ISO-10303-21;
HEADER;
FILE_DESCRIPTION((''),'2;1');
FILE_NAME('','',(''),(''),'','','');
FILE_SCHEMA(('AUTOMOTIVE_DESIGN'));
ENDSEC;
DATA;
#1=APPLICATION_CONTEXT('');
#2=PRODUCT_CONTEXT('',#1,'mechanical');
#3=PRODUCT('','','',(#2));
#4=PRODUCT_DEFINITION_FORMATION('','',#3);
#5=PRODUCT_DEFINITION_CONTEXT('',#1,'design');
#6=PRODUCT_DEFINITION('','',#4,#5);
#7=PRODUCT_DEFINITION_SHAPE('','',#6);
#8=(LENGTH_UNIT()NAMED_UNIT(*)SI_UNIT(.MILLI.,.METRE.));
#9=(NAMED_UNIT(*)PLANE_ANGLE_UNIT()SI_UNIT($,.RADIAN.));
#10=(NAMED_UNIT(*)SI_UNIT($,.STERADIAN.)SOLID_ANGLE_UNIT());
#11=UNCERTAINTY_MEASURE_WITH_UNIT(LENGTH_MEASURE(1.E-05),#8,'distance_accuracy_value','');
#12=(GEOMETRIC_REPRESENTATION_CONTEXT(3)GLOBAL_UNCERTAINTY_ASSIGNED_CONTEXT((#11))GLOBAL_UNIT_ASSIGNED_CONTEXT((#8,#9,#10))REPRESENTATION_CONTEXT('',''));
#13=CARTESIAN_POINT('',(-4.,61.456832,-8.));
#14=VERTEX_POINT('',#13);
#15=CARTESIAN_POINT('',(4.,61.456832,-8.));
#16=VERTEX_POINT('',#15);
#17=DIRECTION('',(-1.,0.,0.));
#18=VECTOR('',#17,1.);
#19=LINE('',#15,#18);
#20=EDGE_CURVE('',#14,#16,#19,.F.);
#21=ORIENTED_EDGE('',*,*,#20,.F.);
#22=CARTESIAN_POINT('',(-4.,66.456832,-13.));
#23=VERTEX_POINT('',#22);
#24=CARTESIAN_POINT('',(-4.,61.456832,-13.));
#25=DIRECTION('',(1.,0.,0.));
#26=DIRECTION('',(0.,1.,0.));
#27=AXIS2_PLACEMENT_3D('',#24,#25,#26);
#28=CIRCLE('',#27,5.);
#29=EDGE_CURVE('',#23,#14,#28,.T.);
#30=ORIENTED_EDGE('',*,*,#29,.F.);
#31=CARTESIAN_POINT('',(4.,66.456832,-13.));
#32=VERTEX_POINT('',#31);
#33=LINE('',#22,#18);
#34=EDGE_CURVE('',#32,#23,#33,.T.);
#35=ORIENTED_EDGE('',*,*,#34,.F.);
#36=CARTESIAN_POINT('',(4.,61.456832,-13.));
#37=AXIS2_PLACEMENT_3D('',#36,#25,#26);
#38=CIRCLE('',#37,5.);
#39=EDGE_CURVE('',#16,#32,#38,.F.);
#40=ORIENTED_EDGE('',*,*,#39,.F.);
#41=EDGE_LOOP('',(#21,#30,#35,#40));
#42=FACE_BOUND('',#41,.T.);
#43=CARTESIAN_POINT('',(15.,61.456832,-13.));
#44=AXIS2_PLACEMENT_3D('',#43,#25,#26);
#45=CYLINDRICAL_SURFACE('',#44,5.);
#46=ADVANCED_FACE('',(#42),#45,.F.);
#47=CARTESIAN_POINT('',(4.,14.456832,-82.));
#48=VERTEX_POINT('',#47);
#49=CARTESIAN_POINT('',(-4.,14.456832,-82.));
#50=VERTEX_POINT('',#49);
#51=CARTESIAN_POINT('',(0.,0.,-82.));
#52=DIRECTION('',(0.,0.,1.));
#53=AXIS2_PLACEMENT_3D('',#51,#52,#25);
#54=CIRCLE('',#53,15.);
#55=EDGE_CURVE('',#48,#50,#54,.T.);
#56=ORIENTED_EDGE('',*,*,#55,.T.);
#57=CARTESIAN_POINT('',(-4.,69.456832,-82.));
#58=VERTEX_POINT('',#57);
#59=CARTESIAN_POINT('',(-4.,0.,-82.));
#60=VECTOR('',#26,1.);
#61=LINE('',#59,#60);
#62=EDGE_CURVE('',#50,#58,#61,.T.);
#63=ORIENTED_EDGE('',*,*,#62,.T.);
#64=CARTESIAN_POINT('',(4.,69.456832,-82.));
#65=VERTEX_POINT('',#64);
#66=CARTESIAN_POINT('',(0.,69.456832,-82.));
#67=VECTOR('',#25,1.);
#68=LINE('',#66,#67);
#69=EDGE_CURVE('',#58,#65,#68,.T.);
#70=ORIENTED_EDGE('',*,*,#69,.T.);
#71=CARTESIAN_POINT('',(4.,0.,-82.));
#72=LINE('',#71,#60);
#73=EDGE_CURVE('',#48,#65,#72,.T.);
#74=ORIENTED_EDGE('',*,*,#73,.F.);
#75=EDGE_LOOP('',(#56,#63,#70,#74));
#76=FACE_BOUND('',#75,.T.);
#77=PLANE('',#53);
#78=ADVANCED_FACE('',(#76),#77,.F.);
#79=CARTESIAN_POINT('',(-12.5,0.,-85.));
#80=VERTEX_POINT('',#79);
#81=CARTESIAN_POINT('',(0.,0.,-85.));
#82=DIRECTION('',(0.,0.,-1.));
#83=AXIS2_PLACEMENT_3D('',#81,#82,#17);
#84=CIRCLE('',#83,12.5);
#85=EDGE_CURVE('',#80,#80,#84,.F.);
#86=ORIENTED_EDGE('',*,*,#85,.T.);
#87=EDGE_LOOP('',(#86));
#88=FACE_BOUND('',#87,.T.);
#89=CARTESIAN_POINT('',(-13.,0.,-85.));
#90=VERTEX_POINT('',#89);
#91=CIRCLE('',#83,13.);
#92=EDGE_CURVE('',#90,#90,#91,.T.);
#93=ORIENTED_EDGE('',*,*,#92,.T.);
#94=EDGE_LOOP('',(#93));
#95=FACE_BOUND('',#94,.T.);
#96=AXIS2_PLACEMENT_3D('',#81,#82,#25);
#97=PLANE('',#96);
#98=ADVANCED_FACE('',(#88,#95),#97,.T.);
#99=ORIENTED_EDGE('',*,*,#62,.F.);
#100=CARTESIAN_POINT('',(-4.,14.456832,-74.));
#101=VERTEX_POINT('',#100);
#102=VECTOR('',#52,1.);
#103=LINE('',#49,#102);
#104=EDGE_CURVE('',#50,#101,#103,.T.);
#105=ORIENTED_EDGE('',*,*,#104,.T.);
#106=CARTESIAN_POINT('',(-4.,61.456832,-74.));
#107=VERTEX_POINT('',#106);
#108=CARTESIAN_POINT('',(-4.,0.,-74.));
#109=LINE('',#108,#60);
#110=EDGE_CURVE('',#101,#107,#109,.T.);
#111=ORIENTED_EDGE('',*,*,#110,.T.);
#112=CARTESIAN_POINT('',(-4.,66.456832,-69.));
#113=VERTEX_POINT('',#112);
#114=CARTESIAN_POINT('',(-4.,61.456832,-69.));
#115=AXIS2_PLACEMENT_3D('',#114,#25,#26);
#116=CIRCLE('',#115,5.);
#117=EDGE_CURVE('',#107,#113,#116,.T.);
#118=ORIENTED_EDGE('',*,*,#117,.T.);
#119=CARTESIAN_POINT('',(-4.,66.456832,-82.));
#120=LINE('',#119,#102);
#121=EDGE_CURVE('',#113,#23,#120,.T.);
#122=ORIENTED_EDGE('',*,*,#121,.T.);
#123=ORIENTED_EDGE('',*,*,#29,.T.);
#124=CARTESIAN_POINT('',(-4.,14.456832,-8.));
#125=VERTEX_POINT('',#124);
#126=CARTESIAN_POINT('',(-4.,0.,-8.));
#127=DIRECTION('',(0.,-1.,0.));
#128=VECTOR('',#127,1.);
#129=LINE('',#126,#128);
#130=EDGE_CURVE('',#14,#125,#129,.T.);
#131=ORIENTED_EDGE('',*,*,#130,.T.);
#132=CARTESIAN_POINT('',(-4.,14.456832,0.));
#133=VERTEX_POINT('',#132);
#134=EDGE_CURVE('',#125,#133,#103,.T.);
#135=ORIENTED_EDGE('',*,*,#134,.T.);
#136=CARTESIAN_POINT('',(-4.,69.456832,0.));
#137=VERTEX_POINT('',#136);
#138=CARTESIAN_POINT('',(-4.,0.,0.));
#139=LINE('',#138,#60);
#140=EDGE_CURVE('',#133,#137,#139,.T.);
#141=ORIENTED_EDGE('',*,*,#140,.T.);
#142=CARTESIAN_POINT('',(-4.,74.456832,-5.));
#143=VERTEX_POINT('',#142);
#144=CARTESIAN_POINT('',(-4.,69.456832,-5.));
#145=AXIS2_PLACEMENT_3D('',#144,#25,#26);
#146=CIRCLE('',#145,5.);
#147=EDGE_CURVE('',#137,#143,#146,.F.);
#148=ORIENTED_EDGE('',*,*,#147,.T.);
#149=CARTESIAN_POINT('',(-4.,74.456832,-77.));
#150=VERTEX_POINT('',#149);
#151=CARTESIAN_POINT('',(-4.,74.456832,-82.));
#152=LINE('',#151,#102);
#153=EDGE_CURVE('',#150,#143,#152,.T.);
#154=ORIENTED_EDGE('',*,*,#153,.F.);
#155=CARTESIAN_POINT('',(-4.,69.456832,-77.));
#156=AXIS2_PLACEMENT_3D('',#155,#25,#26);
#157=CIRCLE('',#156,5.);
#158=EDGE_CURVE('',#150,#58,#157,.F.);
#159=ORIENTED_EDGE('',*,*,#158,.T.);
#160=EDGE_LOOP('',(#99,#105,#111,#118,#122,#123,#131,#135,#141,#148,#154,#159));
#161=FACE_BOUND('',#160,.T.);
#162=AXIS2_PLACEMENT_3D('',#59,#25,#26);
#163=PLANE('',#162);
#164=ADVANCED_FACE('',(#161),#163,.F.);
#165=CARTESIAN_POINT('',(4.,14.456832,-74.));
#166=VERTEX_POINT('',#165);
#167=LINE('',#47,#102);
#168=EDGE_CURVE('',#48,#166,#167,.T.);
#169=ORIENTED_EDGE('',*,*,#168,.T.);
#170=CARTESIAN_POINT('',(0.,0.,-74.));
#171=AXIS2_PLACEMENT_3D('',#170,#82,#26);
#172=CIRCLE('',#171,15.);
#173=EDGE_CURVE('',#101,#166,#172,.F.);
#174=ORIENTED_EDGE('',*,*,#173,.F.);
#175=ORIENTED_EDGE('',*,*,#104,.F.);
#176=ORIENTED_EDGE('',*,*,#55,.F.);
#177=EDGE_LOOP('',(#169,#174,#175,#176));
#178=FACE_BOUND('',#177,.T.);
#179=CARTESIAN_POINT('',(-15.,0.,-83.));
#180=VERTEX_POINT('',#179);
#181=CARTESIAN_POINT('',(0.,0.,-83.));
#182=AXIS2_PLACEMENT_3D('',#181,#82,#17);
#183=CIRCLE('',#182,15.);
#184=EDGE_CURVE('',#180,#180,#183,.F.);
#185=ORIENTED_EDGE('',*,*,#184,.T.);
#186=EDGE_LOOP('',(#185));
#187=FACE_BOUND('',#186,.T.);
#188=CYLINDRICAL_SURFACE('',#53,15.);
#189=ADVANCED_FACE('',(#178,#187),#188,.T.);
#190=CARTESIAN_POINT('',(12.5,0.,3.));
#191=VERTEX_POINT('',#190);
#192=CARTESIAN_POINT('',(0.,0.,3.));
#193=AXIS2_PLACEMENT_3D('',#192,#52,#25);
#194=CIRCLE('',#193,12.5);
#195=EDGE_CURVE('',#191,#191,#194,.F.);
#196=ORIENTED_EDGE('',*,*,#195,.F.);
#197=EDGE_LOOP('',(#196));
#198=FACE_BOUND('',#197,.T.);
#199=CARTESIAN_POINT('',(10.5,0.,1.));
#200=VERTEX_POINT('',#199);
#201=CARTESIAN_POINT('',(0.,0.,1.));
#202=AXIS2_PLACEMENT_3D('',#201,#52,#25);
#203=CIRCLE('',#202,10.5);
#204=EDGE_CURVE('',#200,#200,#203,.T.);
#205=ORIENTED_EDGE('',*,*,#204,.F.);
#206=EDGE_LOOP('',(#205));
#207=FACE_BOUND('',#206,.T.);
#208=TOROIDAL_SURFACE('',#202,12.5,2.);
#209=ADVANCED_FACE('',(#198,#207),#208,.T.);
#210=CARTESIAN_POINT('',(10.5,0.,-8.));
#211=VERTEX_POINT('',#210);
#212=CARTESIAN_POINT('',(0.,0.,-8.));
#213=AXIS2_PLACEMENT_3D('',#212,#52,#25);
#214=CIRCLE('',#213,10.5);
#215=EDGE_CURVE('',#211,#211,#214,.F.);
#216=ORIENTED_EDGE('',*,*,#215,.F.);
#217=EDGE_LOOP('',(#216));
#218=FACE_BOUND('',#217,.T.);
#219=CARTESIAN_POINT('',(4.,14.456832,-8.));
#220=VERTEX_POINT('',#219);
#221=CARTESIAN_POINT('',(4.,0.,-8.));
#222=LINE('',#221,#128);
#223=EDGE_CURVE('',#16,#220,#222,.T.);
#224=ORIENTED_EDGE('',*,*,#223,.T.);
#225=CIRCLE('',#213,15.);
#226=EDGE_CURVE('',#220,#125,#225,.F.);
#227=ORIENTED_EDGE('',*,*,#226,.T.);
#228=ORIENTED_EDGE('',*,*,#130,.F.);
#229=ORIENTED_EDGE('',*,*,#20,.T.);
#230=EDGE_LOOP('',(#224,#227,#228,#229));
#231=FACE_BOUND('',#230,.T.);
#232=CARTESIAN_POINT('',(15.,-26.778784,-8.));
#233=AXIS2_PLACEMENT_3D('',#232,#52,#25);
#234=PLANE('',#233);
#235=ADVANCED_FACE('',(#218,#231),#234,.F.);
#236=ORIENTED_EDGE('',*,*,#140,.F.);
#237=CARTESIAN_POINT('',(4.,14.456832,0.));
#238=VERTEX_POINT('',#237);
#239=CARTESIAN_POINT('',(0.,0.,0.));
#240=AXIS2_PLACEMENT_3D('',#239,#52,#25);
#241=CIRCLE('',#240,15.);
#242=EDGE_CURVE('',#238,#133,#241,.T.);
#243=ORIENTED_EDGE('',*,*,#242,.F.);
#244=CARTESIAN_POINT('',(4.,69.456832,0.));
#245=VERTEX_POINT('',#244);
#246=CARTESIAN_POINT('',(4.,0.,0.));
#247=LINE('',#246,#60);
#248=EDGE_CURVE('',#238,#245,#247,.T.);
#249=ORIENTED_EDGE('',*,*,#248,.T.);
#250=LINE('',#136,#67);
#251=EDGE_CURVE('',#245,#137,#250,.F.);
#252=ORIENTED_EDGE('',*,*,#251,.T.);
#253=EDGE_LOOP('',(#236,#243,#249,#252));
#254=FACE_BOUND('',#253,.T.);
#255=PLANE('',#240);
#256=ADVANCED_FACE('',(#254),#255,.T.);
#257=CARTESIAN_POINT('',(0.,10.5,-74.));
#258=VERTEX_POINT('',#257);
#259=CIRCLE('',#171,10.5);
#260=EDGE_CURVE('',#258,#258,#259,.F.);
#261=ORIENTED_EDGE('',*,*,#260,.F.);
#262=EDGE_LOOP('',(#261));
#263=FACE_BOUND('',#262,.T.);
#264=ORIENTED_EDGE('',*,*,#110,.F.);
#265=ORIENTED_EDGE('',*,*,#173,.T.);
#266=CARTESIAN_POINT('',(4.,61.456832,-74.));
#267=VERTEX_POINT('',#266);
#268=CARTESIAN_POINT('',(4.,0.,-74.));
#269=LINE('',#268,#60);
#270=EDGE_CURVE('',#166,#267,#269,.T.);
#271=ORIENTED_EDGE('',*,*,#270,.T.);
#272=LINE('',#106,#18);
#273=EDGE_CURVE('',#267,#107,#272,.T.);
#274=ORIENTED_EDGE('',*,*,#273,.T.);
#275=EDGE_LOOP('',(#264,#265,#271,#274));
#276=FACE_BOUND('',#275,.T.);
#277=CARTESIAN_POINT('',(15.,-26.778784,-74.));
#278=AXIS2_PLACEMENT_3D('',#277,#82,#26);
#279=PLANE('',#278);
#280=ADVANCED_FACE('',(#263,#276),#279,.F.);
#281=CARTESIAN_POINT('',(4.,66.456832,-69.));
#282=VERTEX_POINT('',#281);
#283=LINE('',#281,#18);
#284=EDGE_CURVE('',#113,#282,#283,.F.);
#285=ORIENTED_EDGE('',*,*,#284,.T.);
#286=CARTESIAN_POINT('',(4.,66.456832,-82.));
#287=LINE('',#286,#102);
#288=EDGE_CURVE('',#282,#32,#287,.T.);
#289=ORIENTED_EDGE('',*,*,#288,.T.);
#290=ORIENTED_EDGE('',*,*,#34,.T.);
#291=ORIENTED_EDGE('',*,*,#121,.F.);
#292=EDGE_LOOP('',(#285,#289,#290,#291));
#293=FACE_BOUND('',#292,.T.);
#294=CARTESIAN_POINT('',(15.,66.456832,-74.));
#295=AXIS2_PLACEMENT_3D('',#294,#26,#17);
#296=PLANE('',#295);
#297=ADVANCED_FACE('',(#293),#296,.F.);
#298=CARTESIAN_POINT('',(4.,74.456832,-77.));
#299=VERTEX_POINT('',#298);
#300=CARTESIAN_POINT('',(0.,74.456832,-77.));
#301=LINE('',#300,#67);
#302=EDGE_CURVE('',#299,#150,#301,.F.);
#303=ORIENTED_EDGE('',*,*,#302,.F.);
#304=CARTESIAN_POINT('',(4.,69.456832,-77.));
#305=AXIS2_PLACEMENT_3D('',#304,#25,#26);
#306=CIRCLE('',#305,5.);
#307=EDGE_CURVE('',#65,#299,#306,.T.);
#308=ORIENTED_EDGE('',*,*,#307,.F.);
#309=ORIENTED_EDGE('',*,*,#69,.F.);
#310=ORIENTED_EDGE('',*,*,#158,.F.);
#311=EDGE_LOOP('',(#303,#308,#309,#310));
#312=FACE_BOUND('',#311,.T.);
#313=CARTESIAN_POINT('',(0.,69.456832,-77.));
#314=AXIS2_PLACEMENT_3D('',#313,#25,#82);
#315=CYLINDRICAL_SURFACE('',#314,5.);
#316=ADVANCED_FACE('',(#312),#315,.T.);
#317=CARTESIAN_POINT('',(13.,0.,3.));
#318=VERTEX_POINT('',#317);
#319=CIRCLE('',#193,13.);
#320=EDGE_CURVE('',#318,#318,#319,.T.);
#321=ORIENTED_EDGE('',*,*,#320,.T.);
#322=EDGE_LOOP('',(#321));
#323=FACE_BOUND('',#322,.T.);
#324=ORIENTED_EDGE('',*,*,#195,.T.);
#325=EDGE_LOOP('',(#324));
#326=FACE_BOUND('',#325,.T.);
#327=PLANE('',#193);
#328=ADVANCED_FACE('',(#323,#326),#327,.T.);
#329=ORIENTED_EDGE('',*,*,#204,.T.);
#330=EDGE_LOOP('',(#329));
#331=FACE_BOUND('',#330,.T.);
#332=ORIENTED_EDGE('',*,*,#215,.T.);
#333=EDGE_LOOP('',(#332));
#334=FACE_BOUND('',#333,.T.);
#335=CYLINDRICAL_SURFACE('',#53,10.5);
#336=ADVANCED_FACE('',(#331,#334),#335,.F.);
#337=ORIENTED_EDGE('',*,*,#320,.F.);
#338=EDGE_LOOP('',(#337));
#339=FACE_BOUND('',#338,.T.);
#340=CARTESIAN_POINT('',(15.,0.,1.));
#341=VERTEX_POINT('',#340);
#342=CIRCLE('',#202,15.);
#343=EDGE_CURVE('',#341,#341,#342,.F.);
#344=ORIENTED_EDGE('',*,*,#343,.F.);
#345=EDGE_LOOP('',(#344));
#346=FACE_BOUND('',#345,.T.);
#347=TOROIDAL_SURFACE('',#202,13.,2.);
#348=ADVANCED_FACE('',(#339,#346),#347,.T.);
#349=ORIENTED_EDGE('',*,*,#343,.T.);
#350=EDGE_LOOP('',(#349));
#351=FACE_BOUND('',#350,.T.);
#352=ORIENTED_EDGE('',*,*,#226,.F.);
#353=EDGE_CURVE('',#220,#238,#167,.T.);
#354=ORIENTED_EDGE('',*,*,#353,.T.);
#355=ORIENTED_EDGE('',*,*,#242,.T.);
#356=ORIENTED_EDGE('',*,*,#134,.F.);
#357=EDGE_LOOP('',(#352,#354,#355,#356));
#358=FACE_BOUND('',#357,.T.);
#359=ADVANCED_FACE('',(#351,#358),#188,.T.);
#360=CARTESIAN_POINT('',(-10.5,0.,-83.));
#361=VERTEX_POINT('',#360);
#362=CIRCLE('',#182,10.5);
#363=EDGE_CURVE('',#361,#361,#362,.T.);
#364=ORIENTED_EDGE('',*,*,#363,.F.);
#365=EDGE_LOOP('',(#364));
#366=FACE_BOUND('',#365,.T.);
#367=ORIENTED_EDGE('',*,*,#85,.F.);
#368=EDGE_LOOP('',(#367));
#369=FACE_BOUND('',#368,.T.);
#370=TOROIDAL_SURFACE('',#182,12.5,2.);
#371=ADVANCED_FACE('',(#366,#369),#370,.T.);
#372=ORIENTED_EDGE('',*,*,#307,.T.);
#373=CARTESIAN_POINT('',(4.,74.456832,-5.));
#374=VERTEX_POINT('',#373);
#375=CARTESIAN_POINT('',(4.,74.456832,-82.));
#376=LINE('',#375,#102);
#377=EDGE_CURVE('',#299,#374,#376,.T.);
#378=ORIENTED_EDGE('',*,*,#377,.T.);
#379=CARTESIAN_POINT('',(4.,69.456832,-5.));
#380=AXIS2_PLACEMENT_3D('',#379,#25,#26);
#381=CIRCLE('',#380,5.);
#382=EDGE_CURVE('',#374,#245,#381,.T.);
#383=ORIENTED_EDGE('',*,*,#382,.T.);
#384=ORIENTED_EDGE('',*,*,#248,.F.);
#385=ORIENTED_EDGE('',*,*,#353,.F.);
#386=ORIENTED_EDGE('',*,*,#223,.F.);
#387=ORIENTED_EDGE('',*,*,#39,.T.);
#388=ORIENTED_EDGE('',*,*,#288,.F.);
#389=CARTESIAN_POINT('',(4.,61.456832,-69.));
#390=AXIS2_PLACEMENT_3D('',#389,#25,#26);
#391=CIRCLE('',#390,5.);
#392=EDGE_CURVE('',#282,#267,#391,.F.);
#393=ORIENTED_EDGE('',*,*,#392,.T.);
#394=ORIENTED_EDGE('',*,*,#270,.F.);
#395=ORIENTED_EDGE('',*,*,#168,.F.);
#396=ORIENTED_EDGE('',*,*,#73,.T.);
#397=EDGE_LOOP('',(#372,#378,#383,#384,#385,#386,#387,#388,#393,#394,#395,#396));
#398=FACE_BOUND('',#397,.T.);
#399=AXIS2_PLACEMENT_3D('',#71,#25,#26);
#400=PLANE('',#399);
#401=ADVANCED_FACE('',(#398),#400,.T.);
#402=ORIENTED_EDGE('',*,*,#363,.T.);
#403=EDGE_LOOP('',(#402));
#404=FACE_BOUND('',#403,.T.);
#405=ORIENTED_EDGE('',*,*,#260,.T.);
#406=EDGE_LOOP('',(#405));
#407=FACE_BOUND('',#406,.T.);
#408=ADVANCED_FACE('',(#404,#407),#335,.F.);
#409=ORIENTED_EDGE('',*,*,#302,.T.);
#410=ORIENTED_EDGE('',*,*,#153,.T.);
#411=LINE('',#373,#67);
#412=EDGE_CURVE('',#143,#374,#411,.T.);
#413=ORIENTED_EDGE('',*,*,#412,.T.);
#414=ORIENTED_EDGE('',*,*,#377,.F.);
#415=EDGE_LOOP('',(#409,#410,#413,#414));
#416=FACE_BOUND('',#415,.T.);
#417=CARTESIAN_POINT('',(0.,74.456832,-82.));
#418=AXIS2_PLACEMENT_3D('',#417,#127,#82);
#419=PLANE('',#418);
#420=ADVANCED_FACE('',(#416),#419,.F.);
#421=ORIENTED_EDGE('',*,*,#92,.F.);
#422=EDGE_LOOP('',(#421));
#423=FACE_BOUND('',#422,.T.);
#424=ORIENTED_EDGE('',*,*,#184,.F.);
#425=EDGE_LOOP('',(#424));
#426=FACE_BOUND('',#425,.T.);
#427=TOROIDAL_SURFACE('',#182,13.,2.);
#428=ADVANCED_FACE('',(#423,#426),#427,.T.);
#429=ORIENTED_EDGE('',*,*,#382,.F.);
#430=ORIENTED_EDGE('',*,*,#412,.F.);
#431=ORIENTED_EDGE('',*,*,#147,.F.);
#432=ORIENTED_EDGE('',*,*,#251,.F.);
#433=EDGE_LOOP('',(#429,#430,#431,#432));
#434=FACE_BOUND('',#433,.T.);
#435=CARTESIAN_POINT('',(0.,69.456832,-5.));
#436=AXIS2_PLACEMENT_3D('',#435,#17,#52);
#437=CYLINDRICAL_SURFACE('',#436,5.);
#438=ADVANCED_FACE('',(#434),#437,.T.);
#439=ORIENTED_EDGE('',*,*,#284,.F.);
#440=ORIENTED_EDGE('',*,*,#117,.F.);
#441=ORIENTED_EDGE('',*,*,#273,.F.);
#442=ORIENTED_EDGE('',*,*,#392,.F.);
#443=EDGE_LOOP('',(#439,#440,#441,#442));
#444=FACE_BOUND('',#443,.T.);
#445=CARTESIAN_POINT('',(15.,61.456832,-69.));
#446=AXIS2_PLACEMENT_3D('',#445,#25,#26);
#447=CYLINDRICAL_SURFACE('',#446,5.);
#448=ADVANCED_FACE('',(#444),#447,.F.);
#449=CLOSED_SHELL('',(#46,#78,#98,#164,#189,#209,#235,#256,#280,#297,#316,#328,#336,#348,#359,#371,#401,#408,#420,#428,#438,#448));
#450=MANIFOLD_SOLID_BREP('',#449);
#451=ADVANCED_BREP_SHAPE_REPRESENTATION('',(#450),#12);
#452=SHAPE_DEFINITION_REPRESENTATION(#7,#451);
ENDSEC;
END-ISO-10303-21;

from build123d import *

# Parameters (mm, degrees)
SKETCH1_R               = 10.5
BOSS_EXTRUDE1_DEPTH     = 82
BOSS_EXTRUDE2_START     = 3
SKETCH1_3_R             = 10.5
BOSS_EXTRUDE2_DEPTH     = 3
CUT_EXTRUDE1_DEPTH      = 115.585426104
CUT_EXTRUDE1_DEPTH_BACK = 115.585426104
SKETCH2_W               = 66
SKETCH2_H               = 93.23561667
FILLET1_R               = 5
FILLET2_R               = 2


with BuildPart() as part:
    # Sketch1 → Boss-Extrude1 (new body)
    # profile 1 of 3: a face of its own
    with BuildSketch(Plane.XY):
        with BuildLine():
            Line((4, 14.456832295), (-4, 14.456832295))
            ThreePointArc((-4, 14.456832295), (-9.082951062, -11.937336386), (15, 0))
            ThreePointArc((15, 0), (11.937336386, 9.082951062), (4, 14.456832295))
        make_face()
        Circle(SKETCH1_R, mode=Mode.SUBTRACT)
    # profile 2 of 3: a face of its own
    with BuildSketch(Plane.XY):
        with BuildLine():
            Line((-4, 74.456832295), (-4, 14.456832295))
            ThreePointArc((-4, 14.456832295), (0, 15), (4, 14.456832295))
            Line((4, 14.456832295), (4, 74.456832295))
            Line((4, 74.456832295), (-4, 74.456832295))
        make_face()
    # profile 3 of 3: a face of its own
    with BuildSketch(Plane.XY):
        with BuildLine():
            ThreePointArc((4, 14.456832295), (0, 15), (-4, 14.456832295))
            Line((-4, 14.456832295), (4, 14.456832295))
        make_face()
    extrude(amount=-BOSS_EXTRUDE1_DEPTH)

    # Sketch1<3> → Boss-Extrude2 (add)
    # profile 1 of 2: a face of its own
    with BuildSketch(Plane.XY.offset(BOSS_EXTRUDE2_START)):
        with BuildLine():
            Line((4, 14.456832295), (-4, 14.456832295))
            ThreePointArc((-4, 14.456832295), (-9.082951062, -11.937336386), (15, 0))
            ThreePointArc((15, 0), (11.937336386, 9.082951062), (4, 14.456832295))
        make_face()
        Circle(SKETCH1_3_R, mode=Mode.SUBTRACT)
    # profile 2 of 2: a face of its own
    with BuildSketch(Plane.XY.offset(BOSS_EXTRUDE2_START)):
        with BuildLine():
            ThreePointArc((4, 14.456832295), (0, 15), (-4, 14.456832295))
            Line((-4, 14.456832295), (4, 14.456832295))
        make_face()
    boss_extrude2 = extrude(amount=-BOSS_EXTRUDE2_DEPTH)

    # Mirror1: Boss-Extrude2 across plane
    add(boss_extrude2.mirror(Plane.XY.offset(-41)))

    # Sketch2 → Cut-Extrude1 (cut, two sides: drawn at the far end of the back side and taken through both)
    with BuildSketch(Plane.ZY.offset(4).offset(-CUT_EXTRUDE1_DEPTH_BACK)):
        with Locations((-41, 19.83902396)):
            Rectangle(SKETCH2_W, SKETCH2_H)
    extrude(amount=CUT_EXTRUDE1_DEPTH + CUT_EXTRUDE1_DEPTH_BACK, mode=Mode.SUBTRACT)

    # Fillet1
    fillet1_edges = [part.edges().sort_by_distance(p)[0] for p in [
        (0, 74.456832295, -82),
        (0, 66.456832295, -8),
        (0, 66.456832295, -74),
        (0, 74.456832295, 0),
    ]]
    fillet(fillet1_edges, radius=FILLET1_R)

    # Fillet2
    fillet2_edges = [part.edges().sort_by_distance(p)[0] for p in [
        (-10.5, 0, 3),
        (-4, -14.456832295, 3),
        (-4, -14.456832295, -85),
        (-10.5, 0, -85),
    ]]
    fillet(fillet2_edges, radius=FILLET2_R)


solid = part.part
